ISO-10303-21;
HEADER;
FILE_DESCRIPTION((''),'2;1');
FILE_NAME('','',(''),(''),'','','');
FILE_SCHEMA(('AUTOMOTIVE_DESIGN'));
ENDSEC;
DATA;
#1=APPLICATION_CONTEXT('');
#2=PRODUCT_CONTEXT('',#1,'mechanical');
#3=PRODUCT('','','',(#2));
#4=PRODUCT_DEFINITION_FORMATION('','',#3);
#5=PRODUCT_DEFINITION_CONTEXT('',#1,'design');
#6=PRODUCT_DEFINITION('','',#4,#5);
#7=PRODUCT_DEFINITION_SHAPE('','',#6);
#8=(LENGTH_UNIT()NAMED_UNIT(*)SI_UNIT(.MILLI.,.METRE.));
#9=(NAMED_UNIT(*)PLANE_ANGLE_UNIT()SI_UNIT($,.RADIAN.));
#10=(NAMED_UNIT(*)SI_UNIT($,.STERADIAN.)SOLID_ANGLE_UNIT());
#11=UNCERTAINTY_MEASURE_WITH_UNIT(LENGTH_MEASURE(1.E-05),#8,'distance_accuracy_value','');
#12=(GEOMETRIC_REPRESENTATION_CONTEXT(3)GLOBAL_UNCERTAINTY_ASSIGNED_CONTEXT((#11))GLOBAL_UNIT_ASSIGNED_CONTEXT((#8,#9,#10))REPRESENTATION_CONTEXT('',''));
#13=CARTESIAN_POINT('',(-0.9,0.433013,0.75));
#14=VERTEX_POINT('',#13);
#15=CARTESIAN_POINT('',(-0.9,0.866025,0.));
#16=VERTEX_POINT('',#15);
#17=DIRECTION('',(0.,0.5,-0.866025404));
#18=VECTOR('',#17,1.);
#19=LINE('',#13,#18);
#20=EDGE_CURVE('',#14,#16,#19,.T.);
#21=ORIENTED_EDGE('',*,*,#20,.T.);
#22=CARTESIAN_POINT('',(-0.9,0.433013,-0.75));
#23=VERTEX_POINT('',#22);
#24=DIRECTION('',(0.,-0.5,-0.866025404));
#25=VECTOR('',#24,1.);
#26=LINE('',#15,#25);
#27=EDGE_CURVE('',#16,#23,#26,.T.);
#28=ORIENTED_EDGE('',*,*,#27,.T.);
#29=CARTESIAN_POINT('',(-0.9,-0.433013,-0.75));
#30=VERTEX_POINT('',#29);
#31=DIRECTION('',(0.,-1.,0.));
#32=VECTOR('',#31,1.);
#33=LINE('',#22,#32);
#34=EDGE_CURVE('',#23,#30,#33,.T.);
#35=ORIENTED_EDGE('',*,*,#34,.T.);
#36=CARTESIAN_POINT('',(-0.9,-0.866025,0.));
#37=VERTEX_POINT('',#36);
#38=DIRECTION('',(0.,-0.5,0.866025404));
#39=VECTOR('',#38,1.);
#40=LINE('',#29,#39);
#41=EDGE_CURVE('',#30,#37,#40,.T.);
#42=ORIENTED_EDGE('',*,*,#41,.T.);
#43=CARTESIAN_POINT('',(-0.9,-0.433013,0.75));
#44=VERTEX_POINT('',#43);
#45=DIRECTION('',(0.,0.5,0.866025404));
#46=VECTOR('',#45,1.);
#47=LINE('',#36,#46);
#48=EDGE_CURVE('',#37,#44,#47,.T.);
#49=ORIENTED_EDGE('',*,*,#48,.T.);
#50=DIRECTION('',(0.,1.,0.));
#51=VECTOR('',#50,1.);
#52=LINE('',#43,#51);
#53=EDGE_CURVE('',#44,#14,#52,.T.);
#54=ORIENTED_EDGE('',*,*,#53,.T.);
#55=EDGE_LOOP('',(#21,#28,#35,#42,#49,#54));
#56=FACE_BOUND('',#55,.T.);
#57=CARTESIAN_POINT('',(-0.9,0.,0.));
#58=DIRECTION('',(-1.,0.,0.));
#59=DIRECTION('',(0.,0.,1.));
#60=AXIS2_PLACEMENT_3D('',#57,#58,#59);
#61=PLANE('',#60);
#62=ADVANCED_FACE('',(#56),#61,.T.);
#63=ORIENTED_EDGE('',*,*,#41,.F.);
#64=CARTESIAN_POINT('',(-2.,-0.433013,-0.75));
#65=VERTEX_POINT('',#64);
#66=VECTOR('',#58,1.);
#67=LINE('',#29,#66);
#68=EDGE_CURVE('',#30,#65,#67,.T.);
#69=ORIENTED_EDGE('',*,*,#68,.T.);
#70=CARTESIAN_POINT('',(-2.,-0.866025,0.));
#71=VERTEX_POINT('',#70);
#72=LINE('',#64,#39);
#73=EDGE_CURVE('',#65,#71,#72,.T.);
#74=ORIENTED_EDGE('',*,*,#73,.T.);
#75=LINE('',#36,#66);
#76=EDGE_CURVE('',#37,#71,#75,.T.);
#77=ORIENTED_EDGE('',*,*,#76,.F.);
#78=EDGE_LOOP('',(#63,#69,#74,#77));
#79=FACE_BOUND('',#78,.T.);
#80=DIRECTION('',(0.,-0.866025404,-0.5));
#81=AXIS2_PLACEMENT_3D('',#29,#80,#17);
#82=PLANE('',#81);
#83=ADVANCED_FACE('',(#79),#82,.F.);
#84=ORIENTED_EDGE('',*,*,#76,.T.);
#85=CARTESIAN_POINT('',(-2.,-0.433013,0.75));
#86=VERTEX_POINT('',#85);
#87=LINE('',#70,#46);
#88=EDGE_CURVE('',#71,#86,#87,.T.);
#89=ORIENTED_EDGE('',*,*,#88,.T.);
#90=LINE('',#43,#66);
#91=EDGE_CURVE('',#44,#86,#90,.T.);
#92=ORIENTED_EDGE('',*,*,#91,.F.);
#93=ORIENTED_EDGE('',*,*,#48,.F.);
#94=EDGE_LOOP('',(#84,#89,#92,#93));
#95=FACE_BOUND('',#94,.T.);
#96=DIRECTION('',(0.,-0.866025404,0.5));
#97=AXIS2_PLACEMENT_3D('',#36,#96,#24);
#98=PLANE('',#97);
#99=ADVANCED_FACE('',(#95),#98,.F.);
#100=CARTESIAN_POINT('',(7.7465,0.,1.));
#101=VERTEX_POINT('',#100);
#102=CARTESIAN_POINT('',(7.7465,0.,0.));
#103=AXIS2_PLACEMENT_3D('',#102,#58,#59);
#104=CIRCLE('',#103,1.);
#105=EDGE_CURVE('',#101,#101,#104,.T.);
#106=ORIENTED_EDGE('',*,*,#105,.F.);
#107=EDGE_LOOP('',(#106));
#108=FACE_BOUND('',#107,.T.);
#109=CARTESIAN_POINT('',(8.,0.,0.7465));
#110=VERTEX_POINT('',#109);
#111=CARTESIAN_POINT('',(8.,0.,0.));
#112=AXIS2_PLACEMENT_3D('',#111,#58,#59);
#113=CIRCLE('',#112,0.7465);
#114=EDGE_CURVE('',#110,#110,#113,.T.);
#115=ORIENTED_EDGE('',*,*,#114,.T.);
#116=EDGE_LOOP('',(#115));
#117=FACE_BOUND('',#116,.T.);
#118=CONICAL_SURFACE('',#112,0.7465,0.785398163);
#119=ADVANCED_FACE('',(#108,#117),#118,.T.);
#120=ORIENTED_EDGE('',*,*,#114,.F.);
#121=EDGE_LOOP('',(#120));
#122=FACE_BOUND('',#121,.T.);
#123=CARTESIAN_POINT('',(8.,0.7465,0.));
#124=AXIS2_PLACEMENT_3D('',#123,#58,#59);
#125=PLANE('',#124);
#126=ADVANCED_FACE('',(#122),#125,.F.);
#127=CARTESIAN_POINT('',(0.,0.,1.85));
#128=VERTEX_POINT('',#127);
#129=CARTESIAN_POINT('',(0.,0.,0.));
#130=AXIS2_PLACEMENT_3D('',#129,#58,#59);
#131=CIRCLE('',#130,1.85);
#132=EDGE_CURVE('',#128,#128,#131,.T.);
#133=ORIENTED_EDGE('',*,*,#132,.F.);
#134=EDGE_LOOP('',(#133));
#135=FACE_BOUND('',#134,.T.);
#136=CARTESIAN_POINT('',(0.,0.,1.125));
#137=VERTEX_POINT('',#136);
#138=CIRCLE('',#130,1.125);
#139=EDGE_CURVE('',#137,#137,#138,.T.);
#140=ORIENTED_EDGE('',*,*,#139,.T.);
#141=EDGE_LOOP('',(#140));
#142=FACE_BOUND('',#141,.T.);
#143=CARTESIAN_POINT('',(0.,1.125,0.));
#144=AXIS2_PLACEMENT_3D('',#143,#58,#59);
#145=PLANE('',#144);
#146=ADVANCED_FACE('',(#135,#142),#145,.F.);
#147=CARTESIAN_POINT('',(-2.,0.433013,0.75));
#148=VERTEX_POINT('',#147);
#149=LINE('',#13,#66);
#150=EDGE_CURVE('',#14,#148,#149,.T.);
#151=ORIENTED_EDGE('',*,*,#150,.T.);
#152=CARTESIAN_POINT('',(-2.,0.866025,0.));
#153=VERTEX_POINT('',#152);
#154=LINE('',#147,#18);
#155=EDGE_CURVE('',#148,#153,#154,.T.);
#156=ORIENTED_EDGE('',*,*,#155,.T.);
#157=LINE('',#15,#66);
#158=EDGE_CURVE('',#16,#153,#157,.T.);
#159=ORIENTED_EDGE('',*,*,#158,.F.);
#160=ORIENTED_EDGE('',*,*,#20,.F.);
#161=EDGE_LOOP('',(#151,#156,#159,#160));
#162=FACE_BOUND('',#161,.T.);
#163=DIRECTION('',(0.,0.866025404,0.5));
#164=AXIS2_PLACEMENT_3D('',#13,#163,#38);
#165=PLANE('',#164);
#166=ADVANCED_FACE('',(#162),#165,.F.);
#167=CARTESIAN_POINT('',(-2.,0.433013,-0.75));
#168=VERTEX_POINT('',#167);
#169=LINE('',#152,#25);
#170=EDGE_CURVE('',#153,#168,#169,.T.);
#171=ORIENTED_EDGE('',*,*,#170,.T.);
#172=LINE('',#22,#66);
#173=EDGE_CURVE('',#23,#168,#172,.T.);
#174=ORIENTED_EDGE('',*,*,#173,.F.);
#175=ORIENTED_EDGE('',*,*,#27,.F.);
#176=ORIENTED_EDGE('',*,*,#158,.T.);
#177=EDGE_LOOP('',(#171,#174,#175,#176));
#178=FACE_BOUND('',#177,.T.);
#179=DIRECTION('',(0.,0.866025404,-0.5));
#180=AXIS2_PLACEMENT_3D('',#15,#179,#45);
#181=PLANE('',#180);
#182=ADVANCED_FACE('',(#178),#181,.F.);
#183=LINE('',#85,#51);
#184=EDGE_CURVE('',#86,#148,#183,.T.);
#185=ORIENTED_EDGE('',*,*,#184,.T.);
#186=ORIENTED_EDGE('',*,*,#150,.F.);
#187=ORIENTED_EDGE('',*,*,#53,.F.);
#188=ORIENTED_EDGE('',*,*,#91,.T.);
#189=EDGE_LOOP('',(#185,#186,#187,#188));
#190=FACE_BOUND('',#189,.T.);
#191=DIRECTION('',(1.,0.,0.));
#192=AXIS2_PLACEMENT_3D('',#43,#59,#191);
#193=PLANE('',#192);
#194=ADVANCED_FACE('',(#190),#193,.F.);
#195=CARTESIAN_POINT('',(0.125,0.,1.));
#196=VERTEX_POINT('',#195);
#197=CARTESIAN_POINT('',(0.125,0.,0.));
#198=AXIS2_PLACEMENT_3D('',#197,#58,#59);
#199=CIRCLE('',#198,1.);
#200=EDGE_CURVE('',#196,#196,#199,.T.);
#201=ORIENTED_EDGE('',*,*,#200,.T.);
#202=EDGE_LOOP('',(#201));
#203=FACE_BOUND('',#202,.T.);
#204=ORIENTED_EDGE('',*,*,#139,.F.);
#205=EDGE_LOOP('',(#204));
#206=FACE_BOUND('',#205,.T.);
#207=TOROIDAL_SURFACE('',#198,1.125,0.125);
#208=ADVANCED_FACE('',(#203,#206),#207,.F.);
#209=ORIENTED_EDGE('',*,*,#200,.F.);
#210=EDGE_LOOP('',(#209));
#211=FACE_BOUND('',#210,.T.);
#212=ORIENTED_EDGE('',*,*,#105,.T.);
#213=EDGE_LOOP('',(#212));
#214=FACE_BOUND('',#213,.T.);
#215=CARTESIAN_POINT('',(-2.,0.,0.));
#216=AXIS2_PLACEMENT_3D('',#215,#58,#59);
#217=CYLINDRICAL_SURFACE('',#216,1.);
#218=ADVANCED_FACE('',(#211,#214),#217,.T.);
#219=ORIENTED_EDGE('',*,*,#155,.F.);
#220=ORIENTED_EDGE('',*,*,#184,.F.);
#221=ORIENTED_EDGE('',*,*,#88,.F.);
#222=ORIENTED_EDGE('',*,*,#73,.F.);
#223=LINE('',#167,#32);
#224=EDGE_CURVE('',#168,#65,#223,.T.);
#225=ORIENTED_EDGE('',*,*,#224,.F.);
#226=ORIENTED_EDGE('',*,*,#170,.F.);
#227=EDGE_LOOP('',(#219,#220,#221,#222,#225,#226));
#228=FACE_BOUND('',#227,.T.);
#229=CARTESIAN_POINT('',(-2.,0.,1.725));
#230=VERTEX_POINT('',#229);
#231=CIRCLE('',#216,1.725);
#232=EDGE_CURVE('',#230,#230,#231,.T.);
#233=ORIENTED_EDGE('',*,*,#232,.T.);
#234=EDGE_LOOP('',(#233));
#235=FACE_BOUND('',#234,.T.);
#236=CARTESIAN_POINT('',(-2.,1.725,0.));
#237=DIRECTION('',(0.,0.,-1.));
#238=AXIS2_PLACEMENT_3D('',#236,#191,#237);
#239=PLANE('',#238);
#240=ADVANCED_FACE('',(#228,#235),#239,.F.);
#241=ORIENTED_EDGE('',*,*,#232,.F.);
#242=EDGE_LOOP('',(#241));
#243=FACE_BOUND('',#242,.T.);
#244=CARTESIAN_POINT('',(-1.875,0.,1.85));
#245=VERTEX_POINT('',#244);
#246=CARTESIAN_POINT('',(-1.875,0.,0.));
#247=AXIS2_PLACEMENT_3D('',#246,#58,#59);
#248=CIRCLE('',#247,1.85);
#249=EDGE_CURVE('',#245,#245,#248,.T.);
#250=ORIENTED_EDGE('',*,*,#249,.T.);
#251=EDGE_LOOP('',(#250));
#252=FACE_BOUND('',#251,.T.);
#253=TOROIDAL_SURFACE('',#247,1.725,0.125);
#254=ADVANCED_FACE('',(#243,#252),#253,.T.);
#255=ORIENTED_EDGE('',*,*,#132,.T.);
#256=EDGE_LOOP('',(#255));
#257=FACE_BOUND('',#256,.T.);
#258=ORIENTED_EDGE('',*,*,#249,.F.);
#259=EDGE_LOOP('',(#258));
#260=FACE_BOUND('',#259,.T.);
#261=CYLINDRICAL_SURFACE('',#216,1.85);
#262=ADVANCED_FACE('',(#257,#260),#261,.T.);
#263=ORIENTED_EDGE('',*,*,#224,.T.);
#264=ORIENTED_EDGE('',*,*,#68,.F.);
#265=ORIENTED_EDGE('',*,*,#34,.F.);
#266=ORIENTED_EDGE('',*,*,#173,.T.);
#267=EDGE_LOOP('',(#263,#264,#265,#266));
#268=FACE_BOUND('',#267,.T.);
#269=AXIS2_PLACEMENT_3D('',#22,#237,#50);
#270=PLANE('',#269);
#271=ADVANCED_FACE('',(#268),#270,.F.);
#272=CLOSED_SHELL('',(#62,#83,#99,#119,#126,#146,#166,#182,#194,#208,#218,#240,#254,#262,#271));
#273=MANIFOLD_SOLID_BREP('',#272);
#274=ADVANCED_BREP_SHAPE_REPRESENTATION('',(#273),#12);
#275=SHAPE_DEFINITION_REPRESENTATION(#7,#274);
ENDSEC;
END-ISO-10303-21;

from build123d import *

# Parameters (mm, degrees)
CUT_EXTRUDE1_DEPTH = 1.1


with BuildPart() as part:
    # Sketch1 → Revolve1 (revolve)
    with BuildSketch(Plane.XY):
        with BuildLine():
            Line((7.7465, 1), (0.125, 1))
            ThreePointArc((0.125, 1), (0.036611652, 1.036611652), (0, 1.125))
            Line((0, 1.125), (0, 1.85))
            Line((0, 1.85), (-1.875, 1.85))
            ThreePointArc((-1.875, 1.85), (-1.963388348, 1.813388348), (-2, 1.725))
            Line((-2, 1.725), (-2, 0))
            Line((-2, 0), (8, 0))
            Line((8, 0), (8, 0.7465))
            Line((8, 0.7465), (7.7465, 1))
        make_face()
    revolve(axis=Axis((-2, 0, 0), (1, 0, 0)))

    # Sketch2 → Cut-Extrude1 (cut)
    with BuildSketch(Plane.ZY.offset(2)):
        Polygon((0.75, 0.433012702), (0, 0.866025404), (-0.75, 0.433012702), (-0.75, -0.433012702), (0, -0.866025404), (0.75, -0.433012702), align=None)
    extrude(amount=-CUT_EXTRUDE1_DEPTH, mode=Mode.SUBTRACT)


solid = part.part
